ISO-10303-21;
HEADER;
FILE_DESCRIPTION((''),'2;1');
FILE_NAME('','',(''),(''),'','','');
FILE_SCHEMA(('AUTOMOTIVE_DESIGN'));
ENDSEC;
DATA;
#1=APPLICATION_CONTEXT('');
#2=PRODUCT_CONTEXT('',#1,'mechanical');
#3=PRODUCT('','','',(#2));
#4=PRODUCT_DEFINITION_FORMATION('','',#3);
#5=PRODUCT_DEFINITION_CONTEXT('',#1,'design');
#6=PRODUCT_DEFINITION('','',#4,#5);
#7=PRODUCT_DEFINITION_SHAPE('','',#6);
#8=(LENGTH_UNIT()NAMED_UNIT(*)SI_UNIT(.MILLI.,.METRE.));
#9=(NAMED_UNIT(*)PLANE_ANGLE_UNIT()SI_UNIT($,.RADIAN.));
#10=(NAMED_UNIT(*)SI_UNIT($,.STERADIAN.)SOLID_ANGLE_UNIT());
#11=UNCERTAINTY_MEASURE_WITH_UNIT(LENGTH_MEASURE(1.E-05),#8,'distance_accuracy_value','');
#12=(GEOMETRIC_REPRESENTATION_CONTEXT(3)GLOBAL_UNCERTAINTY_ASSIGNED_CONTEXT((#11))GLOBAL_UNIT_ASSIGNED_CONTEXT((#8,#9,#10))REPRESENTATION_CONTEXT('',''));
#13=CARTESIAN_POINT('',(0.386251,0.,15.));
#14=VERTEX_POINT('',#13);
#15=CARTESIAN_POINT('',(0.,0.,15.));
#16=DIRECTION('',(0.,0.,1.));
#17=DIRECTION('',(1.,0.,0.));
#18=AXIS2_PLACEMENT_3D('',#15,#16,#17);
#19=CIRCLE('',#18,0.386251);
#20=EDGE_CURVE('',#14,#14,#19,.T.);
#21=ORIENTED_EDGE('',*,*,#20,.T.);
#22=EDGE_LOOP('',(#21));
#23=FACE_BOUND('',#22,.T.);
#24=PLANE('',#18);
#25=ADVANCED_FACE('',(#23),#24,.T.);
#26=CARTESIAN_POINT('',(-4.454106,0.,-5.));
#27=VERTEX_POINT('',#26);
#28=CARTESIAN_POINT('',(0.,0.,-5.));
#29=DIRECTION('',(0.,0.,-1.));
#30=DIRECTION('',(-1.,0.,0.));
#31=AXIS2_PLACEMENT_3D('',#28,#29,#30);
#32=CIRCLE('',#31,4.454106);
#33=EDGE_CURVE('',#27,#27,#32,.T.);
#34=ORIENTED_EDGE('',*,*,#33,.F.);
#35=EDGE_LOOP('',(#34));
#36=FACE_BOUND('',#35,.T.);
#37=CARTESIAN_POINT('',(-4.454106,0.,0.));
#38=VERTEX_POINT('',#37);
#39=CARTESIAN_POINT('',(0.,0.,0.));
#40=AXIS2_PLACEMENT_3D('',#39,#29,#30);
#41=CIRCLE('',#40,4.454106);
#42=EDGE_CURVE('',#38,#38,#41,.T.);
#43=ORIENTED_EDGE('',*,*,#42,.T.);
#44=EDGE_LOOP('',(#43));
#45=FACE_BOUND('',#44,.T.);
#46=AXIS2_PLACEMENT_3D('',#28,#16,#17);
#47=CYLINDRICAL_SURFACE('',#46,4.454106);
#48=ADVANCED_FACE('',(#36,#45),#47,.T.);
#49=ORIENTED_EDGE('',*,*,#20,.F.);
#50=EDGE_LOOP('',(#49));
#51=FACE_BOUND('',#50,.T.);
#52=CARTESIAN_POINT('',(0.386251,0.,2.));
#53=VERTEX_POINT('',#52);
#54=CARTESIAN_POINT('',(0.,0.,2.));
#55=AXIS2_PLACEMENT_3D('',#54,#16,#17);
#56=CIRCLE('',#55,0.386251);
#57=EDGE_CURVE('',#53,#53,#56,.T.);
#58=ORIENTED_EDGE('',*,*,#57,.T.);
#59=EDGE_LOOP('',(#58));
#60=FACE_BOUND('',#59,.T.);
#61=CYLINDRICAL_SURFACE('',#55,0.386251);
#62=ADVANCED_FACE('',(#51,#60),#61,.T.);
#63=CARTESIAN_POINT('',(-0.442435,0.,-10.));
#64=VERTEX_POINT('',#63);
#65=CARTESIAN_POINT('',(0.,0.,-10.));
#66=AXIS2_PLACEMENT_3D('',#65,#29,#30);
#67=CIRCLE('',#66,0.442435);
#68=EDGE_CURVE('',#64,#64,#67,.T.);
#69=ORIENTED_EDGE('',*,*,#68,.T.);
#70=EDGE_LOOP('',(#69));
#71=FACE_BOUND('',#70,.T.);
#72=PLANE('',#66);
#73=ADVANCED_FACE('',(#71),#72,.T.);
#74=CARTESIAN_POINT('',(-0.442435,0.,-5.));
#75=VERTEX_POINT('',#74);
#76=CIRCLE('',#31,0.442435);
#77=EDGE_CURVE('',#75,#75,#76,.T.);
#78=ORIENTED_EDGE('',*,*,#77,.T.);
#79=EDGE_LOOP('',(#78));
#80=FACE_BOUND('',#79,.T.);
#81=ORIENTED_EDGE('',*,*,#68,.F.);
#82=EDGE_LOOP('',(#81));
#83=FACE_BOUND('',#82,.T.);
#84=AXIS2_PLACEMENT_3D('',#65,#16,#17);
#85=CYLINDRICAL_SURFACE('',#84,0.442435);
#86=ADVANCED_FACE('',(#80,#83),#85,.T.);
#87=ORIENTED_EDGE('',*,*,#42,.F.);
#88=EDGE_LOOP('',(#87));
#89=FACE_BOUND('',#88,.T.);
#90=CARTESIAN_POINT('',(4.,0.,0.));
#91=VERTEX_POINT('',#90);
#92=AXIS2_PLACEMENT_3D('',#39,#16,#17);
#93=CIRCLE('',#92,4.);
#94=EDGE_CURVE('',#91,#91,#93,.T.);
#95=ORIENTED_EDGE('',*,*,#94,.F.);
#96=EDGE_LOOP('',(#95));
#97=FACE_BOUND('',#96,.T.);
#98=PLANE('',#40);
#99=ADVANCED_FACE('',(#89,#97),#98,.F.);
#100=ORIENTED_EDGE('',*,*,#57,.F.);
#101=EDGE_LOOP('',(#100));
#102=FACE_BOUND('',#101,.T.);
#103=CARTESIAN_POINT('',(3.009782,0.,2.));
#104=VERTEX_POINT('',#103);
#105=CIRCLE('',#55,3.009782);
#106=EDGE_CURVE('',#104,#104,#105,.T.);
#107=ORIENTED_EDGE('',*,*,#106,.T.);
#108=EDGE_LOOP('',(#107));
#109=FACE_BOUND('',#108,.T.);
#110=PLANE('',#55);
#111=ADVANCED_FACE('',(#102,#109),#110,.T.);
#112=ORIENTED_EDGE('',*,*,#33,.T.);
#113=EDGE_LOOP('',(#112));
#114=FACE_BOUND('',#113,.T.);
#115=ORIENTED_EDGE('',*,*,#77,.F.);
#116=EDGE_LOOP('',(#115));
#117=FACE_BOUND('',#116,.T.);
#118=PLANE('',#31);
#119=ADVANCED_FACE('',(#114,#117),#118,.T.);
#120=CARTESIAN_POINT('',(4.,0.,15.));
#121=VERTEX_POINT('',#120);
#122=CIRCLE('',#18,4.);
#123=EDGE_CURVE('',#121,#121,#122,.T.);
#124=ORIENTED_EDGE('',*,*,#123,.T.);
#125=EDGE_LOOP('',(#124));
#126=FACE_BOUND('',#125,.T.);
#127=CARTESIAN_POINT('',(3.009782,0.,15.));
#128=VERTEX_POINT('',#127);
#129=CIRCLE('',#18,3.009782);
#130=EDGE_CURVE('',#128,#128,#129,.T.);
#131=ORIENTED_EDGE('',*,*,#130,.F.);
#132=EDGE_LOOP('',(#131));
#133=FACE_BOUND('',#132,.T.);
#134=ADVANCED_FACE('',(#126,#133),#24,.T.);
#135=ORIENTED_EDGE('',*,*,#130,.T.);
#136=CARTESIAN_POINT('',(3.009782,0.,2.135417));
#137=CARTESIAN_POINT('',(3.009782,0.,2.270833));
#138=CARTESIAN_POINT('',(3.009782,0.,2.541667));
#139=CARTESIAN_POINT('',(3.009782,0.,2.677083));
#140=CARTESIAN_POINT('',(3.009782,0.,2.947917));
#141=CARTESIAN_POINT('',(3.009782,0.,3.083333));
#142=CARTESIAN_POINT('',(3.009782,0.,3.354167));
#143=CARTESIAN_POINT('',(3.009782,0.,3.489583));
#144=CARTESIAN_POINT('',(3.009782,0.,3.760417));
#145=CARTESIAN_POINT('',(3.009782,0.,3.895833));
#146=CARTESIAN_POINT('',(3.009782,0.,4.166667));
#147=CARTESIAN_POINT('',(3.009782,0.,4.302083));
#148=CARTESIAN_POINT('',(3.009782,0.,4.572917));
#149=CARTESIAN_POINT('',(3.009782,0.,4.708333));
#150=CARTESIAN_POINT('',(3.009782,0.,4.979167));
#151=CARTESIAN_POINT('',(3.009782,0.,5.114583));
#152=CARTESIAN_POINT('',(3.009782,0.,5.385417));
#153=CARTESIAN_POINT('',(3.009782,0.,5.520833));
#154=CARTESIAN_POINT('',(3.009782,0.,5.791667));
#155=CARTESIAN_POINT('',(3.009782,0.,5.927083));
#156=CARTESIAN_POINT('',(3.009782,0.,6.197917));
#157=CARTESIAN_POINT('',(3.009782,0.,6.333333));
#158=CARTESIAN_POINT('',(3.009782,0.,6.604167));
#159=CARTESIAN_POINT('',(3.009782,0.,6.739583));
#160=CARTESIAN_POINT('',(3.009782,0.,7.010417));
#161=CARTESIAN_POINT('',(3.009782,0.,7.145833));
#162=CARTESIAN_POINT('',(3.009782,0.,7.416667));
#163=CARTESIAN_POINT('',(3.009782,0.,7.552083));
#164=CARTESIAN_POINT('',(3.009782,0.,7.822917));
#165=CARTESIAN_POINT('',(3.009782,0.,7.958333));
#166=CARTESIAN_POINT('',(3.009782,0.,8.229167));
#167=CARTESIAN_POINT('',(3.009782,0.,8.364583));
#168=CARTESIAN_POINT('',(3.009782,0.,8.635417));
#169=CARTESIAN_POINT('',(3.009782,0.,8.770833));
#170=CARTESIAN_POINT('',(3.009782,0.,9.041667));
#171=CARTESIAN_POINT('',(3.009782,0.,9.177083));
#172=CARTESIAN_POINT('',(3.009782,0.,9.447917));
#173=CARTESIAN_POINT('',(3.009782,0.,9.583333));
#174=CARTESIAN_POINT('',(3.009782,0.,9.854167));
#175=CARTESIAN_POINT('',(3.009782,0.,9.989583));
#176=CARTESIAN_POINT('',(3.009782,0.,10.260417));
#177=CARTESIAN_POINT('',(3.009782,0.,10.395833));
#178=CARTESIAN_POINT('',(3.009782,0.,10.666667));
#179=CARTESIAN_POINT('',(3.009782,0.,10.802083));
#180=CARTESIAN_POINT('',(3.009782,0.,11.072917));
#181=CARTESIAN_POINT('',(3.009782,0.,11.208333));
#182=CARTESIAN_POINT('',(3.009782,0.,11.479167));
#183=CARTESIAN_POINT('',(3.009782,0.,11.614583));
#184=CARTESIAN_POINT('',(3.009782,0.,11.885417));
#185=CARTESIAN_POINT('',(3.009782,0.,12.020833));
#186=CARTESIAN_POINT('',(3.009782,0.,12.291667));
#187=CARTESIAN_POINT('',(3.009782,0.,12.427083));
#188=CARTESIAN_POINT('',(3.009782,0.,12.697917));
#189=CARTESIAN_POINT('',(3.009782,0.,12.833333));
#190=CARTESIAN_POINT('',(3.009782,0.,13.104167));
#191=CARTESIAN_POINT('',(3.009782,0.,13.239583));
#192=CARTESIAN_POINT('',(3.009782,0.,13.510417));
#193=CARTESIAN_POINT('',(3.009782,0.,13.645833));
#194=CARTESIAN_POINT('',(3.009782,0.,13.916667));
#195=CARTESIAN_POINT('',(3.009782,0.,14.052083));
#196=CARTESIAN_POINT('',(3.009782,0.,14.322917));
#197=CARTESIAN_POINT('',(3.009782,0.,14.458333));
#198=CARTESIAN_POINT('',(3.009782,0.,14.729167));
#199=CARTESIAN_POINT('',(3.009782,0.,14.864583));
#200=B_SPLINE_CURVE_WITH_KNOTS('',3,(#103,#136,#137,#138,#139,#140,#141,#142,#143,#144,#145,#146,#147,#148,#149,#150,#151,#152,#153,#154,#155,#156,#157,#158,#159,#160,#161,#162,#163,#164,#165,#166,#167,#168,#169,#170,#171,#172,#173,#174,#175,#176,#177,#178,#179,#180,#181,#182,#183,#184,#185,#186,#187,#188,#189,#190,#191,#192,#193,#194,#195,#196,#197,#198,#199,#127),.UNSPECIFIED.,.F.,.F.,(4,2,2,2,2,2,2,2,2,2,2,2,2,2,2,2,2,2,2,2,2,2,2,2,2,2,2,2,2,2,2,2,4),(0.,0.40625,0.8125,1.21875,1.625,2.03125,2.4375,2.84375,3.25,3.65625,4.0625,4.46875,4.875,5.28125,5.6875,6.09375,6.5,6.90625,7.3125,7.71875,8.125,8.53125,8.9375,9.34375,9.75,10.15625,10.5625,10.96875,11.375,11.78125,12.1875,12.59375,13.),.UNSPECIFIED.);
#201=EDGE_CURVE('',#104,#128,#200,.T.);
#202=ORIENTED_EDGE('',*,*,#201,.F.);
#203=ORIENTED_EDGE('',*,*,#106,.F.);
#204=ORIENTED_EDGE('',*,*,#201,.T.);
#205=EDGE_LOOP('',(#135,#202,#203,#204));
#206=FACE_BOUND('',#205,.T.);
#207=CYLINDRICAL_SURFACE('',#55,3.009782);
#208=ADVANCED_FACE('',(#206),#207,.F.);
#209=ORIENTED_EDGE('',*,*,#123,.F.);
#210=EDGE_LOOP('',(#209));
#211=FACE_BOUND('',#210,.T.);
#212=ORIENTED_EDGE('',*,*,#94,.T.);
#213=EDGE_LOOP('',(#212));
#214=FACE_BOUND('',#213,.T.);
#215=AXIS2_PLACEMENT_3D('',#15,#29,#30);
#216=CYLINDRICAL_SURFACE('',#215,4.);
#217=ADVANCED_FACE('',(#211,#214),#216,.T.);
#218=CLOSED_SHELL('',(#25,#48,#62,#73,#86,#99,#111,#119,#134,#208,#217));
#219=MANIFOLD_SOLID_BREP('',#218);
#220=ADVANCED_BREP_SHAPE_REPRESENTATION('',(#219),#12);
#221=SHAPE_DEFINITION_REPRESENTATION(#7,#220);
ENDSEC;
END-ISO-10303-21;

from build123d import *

# Parameters (mm, degrees)
SKETCH1_R           = 4
SKETCH1_R_2         = 3
BOSS_EXTRUDE1_DEPTH = 15
SKETCH2_R           = 3
BOSS_EXTRUDE3_DEPTH = 15
SKETCH3_R           = 3.009782436
SKETCH3_R_2         = 0.386251133
CUT_EXTRUDE2_DEPTH  = 13
SKETCH4_R           = 4.454105624
BOSS_EXTRUDE4_DEPTH = 5
SKETCH5_R           = 0.442435296
BOSS_EXTRUDE5_DEPTH = 5


with BuildPart() as part:
    # Sketch1 → Boss-Extrude1 (new body)
    with BuildSketch(Plane.XY):
        Circle(SKETCH1_R)
        Circle(SKETCH1_R_2, mode=Mode.SUBTRACT)
    extrude(amount=BOSS_EXTRUDE1_DEPTH)

    # Sketch2 → Boss-Extrude3 (add)
    with BuildSketch(Plane(origin=(0, 0, 0), x_dir=(-1, 0, 0), z_dir=(0, 0, -1))):
        Circle(SKETCH2_R)
    extrude(amount=-BOSS_EXTRUDE3_DEPTH)

    # Sketch3 → Cut-Extrude2 (cut)
    with BuildSketch(Plane.XY.offset(15)):
        Circle(SKETCH3_R)
        Circle(SKETCH3_R_2, mode=Mode.SUBTRACT)
    extrude(amount=-CUT_EXTRUDE2_DEPTH, mode=Mode.SUBTRACT)

    # Sketch4 → Boss-Extrude4 (add)
    with BuildSketch(Plane(origin=(0, 0, 0), x_dir=(-1, 0, 0), z_dir=(0, 0, -1))):
        Circle(SKETCH4_R)
    extrude(amount=BOSS_EXTRUDE4_DEPTH)

    # Sketch5 → Boss-Extrude5 (add)
    with BuildSketch(Plane(origin=(0, 0, -5), x_dir=(-1, 0, 0), z_dir=(0, 0, -1))):
        Circle(SKETCH5_R)
    extrude(amount=BOSS_EXTRUDE5_DEPTH)


solid = part.part
